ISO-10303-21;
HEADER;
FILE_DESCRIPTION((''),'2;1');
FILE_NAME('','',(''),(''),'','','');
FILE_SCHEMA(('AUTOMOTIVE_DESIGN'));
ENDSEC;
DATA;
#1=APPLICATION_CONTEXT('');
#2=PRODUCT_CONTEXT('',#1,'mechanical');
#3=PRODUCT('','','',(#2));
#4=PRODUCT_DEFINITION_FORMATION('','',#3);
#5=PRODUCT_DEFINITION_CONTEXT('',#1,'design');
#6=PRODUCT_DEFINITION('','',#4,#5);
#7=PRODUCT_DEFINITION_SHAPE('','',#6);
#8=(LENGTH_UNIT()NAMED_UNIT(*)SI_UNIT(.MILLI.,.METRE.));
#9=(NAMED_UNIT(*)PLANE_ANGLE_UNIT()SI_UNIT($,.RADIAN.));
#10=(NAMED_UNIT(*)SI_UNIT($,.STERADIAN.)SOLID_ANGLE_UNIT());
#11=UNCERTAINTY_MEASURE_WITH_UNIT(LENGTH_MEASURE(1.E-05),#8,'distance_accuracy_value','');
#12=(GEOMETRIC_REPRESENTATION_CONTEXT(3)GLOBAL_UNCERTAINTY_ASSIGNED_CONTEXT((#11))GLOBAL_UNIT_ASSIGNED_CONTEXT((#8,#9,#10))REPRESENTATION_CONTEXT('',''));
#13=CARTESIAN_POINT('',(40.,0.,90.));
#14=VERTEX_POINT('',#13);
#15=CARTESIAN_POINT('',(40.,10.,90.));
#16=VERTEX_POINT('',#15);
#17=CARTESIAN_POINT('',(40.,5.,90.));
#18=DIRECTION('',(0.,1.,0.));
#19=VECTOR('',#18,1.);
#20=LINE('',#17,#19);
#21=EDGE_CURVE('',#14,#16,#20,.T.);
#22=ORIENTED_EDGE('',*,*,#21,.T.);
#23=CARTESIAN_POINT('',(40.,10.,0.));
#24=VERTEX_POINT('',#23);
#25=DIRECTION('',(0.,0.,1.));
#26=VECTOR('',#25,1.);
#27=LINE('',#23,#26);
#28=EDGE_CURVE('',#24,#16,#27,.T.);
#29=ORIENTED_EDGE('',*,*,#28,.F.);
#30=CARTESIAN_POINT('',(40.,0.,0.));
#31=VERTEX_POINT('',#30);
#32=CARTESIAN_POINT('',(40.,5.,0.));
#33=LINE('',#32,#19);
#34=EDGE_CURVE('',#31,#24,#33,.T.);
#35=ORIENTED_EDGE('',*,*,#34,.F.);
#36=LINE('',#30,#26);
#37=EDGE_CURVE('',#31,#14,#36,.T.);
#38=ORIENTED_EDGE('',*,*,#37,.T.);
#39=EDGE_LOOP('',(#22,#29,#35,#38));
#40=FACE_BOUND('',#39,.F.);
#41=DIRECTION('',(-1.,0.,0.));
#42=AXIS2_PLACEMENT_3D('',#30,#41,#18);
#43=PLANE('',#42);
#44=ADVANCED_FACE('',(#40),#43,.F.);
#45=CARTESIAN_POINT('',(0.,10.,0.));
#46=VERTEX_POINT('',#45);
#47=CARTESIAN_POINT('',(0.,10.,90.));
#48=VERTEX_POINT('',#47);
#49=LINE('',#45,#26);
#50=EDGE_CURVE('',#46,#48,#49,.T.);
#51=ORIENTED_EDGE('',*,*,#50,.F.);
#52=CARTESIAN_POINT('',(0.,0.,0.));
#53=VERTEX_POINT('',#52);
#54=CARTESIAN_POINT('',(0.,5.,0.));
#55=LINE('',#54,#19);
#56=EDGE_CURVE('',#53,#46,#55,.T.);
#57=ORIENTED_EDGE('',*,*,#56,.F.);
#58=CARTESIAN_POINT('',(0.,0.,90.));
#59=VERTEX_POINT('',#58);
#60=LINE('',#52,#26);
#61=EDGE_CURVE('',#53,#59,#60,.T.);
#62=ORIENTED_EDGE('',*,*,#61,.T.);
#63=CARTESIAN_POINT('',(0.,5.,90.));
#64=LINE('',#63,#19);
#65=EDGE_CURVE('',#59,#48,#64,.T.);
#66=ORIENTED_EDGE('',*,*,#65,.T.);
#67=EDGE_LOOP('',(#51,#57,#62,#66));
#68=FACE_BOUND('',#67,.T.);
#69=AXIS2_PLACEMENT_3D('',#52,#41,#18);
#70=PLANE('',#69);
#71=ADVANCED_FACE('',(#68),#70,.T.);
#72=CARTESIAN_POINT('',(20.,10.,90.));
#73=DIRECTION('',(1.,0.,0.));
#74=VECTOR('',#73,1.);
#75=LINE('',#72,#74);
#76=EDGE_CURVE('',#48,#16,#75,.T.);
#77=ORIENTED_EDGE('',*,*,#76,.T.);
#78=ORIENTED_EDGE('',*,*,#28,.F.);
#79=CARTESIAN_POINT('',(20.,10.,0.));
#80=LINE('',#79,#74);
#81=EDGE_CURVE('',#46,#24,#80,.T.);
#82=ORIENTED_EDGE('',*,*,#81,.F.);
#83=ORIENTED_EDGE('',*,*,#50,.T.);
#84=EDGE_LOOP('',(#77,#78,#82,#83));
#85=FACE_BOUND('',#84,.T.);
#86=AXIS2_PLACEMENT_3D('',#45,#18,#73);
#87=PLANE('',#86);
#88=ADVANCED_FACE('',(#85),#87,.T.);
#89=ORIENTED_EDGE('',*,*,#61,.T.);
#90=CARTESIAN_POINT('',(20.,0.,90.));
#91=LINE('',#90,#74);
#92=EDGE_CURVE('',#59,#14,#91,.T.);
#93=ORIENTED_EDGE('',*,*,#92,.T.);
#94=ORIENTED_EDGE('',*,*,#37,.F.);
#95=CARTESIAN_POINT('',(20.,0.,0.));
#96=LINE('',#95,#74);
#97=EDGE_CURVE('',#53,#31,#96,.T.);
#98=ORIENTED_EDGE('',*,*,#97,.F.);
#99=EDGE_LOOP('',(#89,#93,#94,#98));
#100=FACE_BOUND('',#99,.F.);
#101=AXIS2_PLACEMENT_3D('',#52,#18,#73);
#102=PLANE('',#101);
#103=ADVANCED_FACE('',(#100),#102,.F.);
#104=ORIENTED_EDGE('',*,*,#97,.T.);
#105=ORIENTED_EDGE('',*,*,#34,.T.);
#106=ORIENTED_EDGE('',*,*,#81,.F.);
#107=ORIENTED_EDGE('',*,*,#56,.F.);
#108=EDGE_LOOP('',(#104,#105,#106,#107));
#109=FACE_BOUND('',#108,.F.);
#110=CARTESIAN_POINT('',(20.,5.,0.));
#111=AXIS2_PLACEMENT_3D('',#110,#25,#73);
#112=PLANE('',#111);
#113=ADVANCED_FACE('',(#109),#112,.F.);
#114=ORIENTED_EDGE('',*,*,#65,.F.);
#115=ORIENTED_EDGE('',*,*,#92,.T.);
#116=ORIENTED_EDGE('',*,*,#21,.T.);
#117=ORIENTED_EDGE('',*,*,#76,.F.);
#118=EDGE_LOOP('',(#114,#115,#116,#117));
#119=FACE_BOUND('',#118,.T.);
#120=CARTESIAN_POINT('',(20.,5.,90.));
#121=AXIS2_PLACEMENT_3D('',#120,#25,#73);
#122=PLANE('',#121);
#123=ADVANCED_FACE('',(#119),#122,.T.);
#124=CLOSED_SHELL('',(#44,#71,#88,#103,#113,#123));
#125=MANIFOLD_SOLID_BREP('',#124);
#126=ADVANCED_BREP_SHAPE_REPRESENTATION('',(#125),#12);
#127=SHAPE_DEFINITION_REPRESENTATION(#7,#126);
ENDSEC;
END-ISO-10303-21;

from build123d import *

# Parameters (mm, degrees)
BOX_W     = 40
BOX_H     = 10
BOX_DEPTH = 90


with BuildPart() as part:
    # Box → Box (new body)
    with BuildSketch(Plane.XY):
        with Locations((20, 5)):
            Rectangle(BOX_W, BOX_H)
    extrude(amount=BOX_DEPTH)


solid = part.part
